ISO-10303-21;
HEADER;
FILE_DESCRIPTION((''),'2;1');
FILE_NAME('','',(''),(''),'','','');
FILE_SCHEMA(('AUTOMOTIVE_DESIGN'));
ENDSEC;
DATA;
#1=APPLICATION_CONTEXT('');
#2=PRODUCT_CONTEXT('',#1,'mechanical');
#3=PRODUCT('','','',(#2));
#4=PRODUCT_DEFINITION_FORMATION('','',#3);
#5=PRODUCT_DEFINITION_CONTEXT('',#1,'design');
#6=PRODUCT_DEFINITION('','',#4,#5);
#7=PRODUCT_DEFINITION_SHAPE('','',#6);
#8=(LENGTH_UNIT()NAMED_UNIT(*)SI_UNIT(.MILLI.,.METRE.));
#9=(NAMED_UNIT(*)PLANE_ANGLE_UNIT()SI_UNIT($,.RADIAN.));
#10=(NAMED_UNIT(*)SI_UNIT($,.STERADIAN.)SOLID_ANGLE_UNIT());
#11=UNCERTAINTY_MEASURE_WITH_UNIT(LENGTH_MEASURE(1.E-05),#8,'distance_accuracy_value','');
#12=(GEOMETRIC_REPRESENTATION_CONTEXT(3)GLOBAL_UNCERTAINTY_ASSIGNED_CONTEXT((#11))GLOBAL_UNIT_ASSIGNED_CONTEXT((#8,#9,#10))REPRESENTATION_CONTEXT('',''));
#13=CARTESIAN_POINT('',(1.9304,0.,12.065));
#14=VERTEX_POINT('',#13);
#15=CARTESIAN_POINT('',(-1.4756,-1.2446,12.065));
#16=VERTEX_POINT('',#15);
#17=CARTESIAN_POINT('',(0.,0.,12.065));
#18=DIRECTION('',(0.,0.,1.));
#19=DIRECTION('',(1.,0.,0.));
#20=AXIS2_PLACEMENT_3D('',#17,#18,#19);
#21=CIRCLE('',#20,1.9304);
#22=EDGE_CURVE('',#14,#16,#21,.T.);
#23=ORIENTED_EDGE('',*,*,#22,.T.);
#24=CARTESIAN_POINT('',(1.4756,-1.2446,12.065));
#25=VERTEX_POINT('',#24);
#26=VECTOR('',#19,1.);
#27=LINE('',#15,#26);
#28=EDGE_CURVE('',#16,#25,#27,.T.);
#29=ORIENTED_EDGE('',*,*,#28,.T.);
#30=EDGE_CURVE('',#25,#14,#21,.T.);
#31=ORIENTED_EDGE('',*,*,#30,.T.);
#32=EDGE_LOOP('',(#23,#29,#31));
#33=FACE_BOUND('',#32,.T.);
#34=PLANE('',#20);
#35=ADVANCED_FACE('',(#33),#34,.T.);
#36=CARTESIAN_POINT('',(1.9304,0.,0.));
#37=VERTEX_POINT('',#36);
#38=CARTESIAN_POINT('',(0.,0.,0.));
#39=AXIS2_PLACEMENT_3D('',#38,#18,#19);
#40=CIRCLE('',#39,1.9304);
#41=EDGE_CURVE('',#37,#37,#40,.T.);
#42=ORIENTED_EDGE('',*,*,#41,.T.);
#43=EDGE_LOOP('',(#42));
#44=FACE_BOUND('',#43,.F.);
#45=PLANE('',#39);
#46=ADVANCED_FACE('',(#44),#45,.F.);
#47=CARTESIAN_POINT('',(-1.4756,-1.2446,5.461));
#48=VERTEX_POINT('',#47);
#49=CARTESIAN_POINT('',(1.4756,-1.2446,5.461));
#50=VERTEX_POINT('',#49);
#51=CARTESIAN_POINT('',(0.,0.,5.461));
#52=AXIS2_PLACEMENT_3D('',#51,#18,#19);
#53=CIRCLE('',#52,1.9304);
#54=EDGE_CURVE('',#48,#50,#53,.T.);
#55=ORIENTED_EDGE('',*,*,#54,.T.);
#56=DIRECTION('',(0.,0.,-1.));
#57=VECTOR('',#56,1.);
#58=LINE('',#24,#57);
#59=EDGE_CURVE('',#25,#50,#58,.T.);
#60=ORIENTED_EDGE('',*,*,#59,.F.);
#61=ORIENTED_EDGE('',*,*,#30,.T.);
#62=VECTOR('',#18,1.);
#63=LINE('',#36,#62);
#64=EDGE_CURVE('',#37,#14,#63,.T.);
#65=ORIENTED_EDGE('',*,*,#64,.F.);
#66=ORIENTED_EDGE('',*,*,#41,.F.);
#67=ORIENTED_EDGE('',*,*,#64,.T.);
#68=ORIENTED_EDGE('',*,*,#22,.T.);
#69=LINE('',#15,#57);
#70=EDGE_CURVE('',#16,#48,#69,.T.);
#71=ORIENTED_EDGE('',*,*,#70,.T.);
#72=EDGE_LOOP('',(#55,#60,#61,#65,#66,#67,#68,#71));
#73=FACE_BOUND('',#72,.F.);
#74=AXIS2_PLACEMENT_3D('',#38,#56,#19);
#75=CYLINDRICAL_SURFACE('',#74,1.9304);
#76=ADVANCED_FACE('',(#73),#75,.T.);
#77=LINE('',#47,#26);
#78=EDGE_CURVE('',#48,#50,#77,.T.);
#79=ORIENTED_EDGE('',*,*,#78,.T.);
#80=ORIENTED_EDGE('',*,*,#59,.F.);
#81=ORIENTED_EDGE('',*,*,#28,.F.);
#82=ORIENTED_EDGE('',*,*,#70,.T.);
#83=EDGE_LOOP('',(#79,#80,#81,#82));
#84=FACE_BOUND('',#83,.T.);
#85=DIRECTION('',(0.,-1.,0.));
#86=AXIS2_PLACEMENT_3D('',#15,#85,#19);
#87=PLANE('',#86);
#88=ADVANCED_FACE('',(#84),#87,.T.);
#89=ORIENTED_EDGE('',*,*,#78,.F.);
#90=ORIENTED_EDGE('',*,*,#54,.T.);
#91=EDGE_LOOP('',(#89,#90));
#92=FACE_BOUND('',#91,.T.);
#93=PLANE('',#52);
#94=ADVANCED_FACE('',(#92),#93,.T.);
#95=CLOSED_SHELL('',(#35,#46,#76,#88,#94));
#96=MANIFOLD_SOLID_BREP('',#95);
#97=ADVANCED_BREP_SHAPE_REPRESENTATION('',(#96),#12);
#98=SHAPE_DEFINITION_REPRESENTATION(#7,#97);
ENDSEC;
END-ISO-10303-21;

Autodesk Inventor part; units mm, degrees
ref_plane "YZ Plane" through (0, 0, 0) normal (1, 0, 0) x (0, 1, 0)
ref_plane "XZ Plane" through (0, 0, 0) normal (0, 1, 0) x (-1, 0, 0)
ref_plane "XY Plane" through (0, 0, 0) normal (0, 0, 1) x (1, 0, 0)
sketch "Sketch1" plane through (0, 0, 0) normal (0, 0, 1) x (1, 0, 0)
  circle A0 centre (0, 0) radius 1.9304
  dimension "d0" = 3.8608
extrude "Extrusion1" add sketch "Sketch1" along normal blind 12.065
sketch "Sketch2" plane through (0, 0, 12.065) normal (0, 0, 1) x (1, 0, 0)
  circle A0 centre (0, 0) radius 1.9304 projected
  line L0 (-1.4756, -1.2446) -> (1.4756, -1.2446)
  dimension "d3" = 3.175
extrude "Extrusion2" cut sketch "Sketch2" against normal blind 6.604 contours L0 A0 picked at (-0.3747, -1.3529)
properties part number "Motor Shaft"
